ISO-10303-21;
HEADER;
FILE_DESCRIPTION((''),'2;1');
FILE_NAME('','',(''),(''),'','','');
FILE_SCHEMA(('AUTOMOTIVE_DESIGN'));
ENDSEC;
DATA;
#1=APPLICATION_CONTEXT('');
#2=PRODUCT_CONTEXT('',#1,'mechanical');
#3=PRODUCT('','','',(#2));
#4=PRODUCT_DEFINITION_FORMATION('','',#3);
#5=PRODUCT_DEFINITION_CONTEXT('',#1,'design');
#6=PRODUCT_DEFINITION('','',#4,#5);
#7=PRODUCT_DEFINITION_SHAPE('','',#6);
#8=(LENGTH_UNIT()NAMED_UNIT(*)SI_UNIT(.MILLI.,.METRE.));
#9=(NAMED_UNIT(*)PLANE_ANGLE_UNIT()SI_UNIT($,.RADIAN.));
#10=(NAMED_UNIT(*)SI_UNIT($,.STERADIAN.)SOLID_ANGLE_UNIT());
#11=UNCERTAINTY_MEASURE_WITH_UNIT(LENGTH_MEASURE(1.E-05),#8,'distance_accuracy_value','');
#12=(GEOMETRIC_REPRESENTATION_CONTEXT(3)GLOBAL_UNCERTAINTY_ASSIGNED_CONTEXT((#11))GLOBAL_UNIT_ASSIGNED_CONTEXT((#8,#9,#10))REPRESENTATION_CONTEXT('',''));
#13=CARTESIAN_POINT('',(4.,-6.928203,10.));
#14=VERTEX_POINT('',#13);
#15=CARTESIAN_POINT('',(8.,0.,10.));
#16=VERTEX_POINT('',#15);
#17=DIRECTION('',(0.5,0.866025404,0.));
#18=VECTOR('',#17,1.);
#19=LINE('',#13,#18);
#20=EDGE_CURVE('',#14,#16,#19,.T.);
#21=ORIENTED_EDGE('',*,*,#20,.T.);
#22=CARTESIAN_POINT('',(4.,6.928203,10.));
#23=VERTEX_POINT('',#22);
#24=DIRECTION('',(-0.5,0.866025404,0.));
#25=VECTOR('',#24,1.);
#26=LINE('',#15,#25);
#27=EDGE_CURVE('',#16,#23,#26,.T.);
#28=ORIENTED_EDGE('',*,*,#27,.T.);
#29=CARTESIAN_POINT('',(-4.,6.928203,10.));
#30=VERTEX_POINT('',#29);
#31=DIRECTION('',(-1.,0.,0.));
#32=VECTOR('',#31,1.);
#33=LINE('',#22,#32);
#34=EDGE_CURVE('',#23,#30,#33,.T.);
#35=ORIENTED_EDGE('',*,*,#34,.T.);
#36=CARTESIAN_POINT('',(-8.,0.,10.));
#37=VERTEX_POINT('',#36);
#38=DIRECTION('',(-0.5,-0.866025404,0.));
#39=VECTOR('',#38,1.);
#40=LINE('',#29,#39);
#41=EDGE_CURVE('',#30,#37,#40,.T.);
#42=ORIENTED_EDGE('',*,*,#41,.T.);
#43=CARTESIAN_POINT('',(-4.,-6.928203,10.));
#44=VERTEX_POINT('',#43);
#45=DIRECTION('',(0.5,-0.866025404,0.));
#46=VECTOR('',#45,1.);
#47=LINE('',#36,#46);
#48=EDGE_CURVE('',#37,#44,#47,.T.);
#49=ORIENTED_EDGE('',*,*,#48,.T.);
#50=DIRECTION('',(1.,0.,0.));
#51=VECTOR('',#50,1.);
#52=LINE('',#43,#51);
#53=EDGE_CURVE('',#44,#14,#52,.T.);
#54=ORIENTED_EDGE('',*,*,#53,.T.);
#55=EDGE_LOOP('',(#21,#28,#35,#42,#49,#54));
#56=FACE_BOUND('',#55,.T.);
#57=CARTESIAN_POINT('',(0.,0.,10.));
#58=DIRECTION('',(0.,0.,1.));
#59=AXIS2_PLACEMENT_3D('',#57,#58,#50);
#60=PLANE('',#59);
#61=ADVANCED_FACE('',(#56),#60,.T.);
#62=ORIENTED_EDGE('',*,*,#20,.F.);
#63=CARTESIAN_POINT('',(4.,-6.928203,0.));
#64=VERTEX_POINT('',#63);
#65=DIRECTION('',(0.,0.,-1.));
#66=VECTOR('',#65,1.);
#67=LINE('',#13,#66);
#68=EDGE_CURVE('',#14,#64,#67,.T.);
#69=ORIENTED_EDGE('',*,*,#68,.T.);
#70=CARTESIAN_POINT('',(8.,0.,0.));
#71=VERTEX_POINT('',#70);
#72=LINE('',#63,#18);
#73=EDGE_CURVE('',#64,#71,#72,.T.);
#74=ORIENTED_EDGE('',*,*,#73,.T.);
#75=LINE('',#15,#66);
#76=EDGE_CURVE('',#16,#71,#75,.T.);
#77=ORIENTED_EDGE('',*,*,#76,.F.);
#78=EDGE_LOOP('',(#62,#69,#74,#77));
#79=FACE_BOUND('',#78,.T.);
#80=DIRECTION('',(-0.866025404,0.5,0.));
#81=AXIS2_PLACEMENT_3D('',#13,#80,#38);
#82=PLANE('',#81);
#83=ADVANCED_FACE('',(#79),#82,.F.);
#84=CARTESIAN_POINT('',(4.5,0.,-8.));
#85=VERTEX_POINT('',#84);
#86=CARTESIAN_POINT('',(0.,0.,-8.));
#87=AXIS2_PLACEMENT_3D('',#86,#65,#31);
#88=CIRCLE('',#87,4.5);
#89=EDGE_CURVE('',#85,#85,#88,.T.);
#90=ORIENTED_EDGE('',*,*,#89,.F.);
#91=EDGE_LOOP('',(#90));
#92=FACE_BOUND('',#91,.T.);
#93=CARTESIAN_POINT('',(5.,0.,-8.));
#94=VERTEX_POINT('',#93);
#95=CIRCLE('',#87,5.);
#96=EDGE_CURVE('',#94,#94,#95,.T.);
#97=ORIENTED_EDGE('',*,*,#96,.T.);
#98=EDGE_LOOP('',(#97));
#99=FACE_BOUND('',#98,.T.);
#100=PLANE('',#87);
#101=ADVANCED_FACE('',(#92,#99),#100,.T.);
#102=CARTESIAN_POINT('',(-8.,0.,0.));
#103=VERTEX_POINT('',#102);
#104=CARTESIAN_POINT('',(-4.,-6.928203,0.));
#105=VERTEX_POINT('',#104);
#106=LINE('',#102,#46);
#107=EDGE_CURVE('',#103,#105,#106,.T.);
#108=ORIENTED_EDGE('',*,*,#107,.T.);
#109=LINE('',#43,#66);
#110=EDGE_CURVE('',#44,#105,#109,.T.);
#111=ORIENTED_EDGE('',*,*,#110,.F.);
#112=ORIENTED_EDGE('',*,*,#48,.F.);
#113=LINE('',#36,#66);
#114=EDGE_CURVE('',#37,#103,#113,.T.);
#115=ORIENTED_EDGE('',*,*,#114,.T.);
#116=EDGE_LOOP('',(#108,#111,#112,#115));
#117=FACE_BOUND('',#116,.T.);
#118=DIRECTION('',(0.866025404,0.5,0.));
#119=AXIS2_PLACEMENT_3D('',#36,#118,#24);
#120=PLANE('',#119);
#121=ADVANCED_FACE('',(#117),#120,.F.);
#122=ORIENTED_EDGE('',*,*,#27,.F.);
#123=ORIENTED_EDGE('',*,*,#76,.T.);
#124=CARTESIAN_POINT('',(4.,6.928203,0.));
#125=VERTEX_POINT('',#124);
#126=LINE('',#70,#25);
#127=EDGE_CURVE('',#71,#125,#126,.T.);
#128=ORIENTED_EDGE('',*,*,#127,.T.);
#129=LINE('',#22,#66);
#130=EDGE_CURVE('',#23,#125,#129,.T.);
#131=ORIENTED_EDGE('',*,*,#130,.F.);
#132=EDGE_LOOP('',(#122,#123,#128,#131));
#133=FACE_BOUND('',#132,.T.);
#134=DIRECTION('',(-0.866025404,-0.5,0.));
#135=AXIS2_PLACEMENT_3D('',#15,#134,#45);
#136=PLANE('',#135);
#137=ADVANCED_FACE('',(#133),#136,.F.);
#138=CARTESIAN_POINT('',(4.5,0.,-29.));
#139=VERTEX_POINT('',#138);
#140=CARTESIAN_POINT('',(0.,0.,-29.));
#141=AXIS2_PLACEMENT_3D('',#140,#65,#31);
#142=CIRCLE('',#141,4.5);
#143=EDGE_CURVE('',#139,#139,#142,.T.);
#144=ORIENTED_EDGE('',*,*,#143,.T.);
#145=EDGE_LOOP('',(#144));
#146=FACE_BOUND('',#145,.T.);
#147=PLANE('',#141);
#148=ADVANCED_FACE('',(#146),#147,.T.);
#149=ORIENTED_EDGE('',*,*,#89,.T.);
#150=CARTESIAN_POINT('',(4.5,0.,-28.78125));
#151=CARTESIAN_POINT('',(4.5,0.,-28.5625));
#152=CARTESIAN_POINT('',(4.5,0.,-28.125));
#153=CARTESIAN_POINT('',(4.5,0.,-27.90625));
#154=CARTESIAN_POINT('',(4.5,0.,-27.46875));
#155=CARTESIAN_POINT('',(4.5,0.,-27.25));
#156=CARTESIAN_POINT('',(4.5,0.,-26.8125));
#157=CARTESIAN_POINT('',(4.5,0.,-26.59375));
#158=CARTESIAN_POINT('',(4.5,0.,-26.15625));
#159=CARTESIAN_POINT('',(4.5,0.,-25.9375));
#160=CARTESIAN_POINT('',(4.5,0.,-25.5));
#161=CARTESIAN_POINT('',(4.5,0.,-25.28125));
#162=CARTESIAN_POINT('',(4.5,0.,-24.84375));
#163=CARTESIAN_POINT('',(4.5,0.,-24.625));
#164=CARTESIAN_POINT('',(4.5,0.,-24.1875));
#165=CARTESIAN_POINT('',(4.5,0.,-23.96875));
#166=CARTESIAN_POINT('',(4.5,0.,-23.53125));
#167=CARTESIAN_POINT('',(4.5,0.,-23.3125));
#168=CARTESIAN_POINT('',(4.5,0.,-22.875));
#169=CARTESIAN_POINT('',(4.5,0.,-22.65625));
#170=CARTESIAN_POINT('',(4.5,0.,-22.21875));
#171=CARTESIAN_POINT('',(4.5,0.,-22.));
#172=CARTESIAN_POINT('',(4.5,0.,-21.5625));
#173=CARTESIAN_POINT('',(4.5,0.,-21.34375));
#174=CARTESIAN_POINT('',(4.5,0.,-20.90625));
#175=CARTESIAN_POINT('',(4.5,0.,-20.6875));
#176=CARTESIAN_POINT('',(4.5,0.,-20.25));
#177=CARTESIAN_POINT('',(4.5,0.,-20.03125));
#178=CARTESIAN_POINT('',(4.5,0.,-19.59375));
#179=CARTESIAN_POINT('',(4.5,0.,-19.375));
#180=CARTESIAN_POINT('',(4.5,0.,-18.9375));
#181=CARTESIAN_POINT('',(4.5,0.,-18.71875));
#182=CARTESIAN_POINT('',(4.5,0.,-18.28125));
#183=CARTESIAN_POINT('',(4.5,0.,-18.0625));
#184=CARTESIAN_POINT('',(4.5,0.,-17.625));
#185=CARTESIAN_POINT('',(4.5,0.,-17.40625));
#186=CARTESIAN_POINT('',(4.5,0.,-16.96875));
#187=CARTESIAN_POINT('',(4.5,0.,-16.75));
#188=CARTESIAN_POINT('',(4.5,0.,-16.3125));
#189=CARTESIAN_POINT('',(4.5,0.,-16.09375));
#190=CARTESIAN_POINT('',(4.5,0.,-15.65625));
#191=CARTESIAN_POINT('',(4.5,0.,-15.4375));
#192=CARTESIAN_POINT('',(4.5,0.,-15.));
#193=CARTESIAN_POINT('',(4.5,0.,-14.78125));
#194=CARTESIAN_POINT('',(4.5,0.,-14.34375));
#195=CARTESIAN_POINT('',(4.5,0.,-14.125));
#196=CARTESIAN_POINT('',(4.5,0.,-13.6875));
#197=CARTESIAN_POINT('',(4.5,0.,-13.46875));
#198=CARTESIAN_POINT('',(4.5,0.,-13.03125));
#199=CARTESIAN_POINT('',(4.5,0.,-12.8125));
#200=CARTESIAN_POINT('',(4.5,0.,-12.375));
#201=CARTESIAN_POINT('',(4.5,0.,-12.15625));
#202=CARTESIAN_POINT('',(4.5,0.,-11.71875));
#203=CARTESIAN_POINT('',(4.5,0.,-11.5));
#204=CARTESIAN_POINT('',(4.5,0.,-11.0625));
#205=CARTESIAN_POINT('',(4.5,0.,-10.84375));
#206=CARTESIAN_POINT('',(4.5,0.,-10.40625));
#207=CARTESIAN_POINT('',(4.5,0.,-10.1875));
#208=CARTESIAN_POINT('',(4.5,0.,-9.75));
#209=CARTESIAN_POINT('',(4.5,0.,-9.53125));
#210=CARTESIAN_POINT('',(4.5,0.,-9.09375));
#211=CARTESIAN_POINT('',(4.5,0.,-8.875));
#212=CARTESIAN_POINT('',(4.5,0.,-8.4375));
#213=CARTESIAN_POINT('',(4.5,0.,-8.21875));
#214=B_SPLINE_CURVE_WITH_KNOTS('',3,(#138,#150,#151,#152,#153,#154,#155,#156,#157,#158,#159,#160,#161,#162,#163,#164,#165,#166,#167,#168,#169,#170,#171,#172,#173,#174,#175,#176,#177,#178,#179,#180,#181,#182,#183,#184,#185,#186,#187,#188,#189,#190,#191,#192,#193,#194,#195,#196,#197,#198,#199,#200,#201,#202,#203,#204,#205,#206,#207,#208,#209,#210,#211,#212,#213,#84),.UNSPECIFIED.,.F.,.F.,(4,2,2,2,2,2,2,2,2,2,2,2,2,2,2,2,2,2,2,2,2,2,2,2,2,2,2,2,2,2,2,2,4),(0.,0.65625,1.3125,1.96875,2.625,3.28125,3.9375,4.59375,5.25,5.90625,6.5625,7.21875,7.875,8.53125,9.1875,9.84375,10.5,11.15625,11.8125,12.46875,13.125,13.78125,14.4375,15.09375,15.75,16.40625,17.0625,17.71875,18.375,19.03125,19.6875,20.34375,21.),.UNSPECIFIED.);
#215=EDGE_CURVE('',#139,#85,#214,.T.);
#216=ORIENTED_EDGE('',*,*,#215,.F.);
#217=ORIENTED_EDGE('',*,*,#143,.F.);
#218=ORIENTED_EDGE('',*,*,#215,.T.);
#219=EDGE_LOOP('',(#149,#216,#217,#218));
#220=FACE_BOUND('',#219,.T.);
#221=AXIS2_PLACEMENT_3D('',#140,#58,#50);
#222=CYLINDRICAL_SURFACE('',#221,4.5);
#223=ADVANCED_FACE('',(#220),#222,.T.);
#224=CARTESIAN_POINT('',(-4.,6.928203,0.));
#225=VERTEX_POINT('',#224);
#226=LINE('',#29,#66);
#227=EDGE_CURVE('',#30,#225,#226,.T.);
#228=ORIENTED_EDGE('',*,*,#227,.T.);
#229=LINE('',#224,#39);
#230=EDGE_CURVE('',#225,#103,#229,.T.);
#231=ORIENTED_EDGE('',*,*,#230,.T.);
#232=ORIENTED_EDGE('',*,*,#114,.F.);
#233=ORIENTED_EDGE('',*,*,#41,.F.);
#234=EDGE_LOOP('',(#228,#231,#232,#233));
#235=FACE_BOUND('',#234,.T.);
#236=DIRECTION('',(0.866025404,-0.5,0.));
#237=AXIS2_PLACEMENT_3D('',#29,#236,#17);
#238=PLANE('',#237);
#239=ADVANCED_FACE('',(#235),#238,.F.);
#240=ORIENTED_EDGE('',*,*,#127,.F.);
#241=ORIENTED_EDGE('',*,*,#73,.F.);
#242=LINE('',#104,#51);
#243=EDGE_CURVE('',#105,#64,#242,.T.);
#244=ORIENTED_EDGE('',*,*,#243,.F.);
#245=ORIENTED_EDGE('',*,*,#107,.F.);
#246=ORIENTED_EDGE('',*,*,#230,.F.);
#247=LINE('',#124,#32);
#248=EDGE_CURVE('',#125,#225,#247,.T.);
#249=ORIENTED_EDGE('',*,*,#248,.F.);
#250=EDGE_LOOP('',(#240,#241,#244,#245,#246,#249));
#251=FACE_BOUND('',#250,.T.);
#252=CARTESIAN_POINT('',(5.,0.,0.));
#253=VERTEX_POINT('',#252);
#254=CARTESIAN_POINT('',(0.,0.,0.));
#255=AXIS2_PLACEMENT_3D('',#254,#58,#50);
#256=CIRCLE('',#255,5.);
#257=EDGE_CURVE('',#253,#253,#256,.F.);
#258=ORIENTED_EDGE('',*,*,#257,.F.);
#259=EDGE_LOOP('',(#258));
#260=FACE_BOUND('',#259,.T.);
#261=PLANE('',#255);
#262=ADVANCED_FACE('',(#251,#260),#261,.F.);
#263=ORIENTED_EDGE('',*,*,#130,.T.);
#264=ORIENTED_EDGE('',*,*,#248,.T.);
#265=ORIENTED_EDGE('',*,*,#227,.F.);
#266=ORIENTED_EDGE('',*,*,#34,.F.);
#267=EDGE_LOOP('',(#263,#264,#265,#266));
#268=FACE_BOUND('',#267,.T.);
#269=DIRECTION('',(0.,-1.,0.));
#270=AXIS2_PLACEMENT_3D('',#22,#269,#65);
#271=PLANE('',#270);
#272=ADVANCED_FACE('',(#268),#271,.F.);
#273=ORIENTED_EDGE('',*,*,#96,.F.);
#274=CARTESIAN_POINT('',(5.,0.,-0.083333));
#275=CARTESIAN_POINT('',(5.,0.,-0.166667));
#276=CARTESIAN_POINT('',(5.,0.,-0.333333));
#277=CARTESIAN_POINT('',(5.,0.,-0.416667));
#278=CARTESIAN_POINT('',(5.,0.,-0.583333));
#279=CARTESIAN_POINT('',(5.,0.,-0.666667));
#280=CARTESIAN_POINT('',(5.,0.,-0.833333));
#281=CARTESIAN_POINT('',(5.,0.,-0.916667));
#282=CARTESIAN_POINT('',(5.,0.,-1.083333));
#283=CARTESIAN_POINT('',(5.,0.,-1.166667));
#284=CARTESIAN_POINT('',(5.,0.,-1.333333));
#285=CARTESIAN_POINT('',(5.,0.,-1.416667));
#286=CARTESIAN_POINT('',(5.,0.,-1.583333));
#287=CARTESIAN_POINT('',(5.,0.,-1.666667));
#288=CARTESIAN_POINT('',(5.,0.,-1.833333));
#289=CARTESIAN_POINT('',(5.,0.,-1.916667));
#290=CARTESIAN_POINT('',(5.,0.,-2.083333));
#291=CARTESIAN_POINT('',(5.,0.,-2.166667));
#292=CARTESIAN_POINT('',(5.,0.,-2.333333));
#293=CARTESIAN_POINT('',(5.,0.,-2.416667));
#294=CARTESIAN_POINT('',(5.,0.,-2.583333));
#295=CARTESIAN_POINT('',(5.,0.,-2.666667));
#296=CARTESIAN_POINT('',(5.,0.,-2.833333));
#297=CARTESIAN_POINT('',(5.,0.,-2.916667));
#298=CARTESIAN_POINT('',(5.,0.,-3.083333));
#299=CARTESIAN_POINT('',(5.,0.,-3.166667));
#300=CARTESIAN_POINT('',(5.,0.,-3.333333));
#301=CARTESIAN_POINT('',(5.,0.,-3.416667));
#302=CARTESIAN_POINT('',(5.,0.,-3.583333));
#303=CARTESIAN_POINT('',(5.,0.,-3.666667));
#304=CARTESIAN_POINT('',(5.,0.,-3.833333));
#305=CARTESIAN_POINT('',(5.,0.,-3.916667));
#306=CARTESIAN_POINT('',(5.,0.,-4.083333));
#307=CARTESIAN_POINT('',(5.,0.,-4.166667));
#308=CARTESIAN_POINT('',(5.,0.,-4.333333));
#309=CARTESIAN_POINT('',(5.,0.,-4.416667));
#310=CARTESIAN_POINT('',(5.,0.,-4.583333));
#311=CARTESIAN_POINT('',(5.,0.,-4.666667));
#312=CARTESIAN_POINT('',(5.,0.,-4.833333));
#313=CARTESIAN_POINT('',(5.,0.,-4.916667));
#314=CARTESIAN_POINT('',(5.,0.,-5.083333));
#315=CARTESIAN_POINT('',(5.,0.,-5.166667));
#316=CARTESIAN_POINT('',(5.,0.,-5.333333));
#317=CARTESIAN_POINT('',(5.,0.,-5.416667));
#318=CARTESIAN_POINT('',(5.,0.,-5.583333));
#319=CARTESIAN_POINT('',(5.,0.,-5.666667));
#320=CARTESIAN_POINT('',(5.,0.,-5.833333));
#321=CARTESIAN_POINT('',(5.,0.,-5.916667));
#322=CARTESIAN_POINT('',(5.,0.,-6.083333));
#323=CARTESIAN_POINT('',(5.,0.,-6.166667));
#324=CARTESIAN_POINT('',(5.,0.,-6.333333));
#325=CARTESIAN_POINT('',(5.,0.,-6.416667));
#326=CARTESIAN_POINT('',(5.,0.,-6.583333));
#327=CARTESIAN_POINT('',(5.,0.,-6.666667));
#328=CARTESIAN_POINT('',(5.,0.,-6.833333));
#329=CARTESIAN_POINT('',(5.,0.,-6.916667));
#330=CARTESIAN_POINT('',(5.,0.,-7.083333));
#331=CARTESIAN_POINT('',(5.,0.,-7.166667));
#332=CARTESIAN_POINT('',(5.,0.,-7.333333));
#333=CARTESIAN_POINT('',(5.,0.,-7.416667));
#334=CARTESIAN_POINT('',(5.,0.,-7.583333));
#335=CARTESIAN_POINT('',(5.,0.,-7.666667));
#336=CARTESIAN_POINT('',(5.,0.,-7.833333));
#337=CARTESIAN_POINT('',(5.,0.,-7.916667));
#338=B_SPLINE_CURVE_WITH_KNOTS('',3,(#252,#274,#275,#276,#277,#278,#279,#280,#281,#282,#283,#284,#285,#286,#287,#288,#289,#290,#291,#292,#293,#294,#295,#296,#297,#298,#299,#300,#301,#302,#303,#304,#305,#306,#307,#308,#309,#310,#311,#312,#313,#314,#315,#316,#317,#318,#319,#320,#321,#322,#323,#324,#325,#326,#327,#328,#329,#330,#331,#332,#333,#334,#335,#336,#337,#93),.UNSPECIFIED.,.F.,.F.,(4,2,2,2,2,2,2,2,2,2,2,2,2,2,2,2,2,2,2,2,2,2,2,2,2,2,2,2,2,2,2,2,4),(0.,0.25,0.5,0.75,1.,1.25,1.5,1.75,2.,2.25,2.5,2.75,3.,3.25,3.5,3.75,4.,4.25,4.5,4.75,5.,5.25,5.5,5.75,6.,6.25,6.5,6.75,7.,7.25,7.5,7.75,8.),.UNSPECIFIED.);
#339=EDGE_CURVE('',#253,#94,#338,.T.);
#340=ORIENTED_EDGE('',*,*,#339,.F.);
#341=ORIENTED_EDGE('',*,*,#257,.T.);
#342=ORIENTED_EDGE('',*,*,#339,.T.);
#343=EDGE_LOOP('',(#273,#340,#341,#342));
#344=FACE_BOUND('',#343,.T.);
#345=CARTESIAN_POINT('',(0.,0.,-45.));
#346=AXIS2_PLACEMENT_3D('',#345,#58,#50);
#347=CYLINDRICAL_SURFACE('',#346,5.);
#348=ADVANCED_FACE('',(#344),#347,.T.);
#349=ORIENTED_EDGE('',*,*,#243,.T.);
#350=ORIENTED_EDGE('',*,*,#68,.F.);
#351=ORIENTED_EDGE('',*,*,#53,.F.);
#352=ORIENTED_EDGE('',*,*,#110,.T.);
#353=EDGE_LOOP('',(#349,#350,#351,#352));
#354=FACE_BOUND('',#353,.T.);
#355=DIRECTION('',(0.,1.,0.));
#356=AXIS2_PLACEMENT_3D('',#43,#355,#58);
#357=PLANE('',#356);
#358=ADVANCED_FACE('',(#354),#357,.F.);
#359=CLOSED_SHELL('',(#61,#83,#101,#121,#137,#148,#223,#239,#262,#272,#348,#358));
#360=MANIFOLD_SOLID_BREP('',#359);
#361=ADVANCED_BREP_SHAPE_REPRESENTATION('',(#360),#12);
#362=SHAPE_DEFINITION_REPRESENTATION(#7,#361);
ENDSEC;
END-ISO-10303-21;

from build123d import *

# Parameters (mm, degrees)
EXTRUDE_1_DEPTH     = 10
SKETCH_3_R          = 4.5
SKETCH_3_R_2        = 2.5
EXTRUDE_2_DEPTH     = 120
SKETCH_5_R          = 5
SKETCH_5_R_2        = 4.5
EXTRUDE_3_DEPTH     = 45
SKETCH_6_R          = 4.5
SKETCH_6_R_2        = 2.5
EXTRUDE_5_DEPTH     = 25
CUT_EXTRUDE_START   = -100
SKETCH_7_R          = 4.5
CUT_EXTRUDE_1_DEPTH = 100
CUT_EXTRUDE_START_2 = -33
SKETCH_9_R          = 5
CUT_EXTRUDE_2_DEPTH = 33
SKETCH_8_R          = 4.5
EXTRUDE_6_DEPTH     = 29
CUT_EXTRUDE_START_3 = -4
SKETCH_10_R         = 5
SKETCH_10_R_2       = 4.5
CUT_EXTRUDE_3_DEPTH = 4


with BuildPart() as part:
    # 草图1 → 凸台-拉伸1 (new body)
    with BuildSketch(Plane.XY):
        Polygon((8, 0), (4, 6.92820323), (-4, 6.92820323), (-8, 0), (-4, -6.92820323), (4, -6.92820323), align=None)
    extrude(amount=EXTRUDE_1_DEPTH)

    # 草图3 → 凸台-拉伸2 (add)
    with BuildSketch(Plane(origin=(0, 0, 0), x_dir=(-1, 0, 0), z_dir=(0, 0, -1))):
        with Locations(Location((0, 0, 0), (0, 0, 180))):
            Circle(SKETCH_3_R)
        Circle(SKETCH_3_R_2, mode=Mode.SUBTRACT)
    extrude(amount=EXTRUDE_2_DEPTH)

    # 草图5 → 凸台-拉伸3 (add)
    with BuildSketch(Plane(origin=(0, 0, 0), x_dir=(-1, 0, 0), z_dir=(0, 0, -1))):
        with Locations(Location((0, 0, 0), (0, 0, 180))):
            Circle(SKETCH_5_R)
        Circle(SKETCH_5_R_2, mode=Mode.SUBTRACT)
    extrude(amount=EXTRUDE_3_DEPTH)

    # 草图6 → 凸台-拉伸5 (add)
    with BuildSketch(Plane(origin=(0, 0, -120), x_dir=(-1, 0, 0), z_dir=(0, 0, -1))):
        Circle(SKETCH_6_R)
        Circle(SKETCH_6_R_2, mode=Mode.SUBTRACT)
    extrude(amount=EXTRUDE_5_DEPTH)

    # 草图7 → 切除-拉伸1 (cut)
    with BuildSketch(Plane(origin=(0, 0, -145), x_dir=(-1, 0, 0), z_dir=(0, 0, -1)).offset(CUT_EXTRUDE_START)):
        Circle(SKETCH_7_R)
    extrude(amount=CUT_EXTRUDE_1_DEPTH, mode=Mode.SUBTRACT)

    # 草图9 → 切除-拉伸2 (cut)
    with BuildSketch(Plane(origin=(0, 0, -45), x_dir=(-1, 0, 0), z_dir=(0, 0, -1)).offset(CUT_EXTRUDE_START_2)):
        with Locations(Location((0, 0, 0), (0, 0, 180))):
            Circle(SKETCH_9_R)
    extrude(amount=CUT_EXTRUDE_2_DEPTH, mode=Mode.SUBTRACT)

    # 草图8 → 凸台-拉伸6 (add)
    with BuildSketch(Plane(origin=(0, 0, 0), x_dir=(-1, 0, 0), z_dir=(0, 0, -1))):
        with Locations(Location((0, 0, 0), (0, 0, 180))):
            Circle(SKETCH_8_R)
    extrude(amount=EXTRUDE_6_DEPTH)

    # 草图10 → 切除-拉伸3 (cut)
    with BuildSketch(Plane(origin=(0, 0, -12), x_dir=(-1, 0, 0), z_dir=(0, 0, -1)).offset(CUT_EXTRUDE_START_3)):
        with Locations(Location((0, 0, 0), (0, 0, 180))):
            Circle(SKETCH_10_R)
        with Locations(Location((0, 0, 0), (0, 0, 180))):
            Circle(SKETCH_10_R_2, mode=Mode.SUBTRACT)
    extrude(amount=CUT_EXTRUDE_3_DEPTH, mode=Mode.SUBTRACT)


solid = part.part
